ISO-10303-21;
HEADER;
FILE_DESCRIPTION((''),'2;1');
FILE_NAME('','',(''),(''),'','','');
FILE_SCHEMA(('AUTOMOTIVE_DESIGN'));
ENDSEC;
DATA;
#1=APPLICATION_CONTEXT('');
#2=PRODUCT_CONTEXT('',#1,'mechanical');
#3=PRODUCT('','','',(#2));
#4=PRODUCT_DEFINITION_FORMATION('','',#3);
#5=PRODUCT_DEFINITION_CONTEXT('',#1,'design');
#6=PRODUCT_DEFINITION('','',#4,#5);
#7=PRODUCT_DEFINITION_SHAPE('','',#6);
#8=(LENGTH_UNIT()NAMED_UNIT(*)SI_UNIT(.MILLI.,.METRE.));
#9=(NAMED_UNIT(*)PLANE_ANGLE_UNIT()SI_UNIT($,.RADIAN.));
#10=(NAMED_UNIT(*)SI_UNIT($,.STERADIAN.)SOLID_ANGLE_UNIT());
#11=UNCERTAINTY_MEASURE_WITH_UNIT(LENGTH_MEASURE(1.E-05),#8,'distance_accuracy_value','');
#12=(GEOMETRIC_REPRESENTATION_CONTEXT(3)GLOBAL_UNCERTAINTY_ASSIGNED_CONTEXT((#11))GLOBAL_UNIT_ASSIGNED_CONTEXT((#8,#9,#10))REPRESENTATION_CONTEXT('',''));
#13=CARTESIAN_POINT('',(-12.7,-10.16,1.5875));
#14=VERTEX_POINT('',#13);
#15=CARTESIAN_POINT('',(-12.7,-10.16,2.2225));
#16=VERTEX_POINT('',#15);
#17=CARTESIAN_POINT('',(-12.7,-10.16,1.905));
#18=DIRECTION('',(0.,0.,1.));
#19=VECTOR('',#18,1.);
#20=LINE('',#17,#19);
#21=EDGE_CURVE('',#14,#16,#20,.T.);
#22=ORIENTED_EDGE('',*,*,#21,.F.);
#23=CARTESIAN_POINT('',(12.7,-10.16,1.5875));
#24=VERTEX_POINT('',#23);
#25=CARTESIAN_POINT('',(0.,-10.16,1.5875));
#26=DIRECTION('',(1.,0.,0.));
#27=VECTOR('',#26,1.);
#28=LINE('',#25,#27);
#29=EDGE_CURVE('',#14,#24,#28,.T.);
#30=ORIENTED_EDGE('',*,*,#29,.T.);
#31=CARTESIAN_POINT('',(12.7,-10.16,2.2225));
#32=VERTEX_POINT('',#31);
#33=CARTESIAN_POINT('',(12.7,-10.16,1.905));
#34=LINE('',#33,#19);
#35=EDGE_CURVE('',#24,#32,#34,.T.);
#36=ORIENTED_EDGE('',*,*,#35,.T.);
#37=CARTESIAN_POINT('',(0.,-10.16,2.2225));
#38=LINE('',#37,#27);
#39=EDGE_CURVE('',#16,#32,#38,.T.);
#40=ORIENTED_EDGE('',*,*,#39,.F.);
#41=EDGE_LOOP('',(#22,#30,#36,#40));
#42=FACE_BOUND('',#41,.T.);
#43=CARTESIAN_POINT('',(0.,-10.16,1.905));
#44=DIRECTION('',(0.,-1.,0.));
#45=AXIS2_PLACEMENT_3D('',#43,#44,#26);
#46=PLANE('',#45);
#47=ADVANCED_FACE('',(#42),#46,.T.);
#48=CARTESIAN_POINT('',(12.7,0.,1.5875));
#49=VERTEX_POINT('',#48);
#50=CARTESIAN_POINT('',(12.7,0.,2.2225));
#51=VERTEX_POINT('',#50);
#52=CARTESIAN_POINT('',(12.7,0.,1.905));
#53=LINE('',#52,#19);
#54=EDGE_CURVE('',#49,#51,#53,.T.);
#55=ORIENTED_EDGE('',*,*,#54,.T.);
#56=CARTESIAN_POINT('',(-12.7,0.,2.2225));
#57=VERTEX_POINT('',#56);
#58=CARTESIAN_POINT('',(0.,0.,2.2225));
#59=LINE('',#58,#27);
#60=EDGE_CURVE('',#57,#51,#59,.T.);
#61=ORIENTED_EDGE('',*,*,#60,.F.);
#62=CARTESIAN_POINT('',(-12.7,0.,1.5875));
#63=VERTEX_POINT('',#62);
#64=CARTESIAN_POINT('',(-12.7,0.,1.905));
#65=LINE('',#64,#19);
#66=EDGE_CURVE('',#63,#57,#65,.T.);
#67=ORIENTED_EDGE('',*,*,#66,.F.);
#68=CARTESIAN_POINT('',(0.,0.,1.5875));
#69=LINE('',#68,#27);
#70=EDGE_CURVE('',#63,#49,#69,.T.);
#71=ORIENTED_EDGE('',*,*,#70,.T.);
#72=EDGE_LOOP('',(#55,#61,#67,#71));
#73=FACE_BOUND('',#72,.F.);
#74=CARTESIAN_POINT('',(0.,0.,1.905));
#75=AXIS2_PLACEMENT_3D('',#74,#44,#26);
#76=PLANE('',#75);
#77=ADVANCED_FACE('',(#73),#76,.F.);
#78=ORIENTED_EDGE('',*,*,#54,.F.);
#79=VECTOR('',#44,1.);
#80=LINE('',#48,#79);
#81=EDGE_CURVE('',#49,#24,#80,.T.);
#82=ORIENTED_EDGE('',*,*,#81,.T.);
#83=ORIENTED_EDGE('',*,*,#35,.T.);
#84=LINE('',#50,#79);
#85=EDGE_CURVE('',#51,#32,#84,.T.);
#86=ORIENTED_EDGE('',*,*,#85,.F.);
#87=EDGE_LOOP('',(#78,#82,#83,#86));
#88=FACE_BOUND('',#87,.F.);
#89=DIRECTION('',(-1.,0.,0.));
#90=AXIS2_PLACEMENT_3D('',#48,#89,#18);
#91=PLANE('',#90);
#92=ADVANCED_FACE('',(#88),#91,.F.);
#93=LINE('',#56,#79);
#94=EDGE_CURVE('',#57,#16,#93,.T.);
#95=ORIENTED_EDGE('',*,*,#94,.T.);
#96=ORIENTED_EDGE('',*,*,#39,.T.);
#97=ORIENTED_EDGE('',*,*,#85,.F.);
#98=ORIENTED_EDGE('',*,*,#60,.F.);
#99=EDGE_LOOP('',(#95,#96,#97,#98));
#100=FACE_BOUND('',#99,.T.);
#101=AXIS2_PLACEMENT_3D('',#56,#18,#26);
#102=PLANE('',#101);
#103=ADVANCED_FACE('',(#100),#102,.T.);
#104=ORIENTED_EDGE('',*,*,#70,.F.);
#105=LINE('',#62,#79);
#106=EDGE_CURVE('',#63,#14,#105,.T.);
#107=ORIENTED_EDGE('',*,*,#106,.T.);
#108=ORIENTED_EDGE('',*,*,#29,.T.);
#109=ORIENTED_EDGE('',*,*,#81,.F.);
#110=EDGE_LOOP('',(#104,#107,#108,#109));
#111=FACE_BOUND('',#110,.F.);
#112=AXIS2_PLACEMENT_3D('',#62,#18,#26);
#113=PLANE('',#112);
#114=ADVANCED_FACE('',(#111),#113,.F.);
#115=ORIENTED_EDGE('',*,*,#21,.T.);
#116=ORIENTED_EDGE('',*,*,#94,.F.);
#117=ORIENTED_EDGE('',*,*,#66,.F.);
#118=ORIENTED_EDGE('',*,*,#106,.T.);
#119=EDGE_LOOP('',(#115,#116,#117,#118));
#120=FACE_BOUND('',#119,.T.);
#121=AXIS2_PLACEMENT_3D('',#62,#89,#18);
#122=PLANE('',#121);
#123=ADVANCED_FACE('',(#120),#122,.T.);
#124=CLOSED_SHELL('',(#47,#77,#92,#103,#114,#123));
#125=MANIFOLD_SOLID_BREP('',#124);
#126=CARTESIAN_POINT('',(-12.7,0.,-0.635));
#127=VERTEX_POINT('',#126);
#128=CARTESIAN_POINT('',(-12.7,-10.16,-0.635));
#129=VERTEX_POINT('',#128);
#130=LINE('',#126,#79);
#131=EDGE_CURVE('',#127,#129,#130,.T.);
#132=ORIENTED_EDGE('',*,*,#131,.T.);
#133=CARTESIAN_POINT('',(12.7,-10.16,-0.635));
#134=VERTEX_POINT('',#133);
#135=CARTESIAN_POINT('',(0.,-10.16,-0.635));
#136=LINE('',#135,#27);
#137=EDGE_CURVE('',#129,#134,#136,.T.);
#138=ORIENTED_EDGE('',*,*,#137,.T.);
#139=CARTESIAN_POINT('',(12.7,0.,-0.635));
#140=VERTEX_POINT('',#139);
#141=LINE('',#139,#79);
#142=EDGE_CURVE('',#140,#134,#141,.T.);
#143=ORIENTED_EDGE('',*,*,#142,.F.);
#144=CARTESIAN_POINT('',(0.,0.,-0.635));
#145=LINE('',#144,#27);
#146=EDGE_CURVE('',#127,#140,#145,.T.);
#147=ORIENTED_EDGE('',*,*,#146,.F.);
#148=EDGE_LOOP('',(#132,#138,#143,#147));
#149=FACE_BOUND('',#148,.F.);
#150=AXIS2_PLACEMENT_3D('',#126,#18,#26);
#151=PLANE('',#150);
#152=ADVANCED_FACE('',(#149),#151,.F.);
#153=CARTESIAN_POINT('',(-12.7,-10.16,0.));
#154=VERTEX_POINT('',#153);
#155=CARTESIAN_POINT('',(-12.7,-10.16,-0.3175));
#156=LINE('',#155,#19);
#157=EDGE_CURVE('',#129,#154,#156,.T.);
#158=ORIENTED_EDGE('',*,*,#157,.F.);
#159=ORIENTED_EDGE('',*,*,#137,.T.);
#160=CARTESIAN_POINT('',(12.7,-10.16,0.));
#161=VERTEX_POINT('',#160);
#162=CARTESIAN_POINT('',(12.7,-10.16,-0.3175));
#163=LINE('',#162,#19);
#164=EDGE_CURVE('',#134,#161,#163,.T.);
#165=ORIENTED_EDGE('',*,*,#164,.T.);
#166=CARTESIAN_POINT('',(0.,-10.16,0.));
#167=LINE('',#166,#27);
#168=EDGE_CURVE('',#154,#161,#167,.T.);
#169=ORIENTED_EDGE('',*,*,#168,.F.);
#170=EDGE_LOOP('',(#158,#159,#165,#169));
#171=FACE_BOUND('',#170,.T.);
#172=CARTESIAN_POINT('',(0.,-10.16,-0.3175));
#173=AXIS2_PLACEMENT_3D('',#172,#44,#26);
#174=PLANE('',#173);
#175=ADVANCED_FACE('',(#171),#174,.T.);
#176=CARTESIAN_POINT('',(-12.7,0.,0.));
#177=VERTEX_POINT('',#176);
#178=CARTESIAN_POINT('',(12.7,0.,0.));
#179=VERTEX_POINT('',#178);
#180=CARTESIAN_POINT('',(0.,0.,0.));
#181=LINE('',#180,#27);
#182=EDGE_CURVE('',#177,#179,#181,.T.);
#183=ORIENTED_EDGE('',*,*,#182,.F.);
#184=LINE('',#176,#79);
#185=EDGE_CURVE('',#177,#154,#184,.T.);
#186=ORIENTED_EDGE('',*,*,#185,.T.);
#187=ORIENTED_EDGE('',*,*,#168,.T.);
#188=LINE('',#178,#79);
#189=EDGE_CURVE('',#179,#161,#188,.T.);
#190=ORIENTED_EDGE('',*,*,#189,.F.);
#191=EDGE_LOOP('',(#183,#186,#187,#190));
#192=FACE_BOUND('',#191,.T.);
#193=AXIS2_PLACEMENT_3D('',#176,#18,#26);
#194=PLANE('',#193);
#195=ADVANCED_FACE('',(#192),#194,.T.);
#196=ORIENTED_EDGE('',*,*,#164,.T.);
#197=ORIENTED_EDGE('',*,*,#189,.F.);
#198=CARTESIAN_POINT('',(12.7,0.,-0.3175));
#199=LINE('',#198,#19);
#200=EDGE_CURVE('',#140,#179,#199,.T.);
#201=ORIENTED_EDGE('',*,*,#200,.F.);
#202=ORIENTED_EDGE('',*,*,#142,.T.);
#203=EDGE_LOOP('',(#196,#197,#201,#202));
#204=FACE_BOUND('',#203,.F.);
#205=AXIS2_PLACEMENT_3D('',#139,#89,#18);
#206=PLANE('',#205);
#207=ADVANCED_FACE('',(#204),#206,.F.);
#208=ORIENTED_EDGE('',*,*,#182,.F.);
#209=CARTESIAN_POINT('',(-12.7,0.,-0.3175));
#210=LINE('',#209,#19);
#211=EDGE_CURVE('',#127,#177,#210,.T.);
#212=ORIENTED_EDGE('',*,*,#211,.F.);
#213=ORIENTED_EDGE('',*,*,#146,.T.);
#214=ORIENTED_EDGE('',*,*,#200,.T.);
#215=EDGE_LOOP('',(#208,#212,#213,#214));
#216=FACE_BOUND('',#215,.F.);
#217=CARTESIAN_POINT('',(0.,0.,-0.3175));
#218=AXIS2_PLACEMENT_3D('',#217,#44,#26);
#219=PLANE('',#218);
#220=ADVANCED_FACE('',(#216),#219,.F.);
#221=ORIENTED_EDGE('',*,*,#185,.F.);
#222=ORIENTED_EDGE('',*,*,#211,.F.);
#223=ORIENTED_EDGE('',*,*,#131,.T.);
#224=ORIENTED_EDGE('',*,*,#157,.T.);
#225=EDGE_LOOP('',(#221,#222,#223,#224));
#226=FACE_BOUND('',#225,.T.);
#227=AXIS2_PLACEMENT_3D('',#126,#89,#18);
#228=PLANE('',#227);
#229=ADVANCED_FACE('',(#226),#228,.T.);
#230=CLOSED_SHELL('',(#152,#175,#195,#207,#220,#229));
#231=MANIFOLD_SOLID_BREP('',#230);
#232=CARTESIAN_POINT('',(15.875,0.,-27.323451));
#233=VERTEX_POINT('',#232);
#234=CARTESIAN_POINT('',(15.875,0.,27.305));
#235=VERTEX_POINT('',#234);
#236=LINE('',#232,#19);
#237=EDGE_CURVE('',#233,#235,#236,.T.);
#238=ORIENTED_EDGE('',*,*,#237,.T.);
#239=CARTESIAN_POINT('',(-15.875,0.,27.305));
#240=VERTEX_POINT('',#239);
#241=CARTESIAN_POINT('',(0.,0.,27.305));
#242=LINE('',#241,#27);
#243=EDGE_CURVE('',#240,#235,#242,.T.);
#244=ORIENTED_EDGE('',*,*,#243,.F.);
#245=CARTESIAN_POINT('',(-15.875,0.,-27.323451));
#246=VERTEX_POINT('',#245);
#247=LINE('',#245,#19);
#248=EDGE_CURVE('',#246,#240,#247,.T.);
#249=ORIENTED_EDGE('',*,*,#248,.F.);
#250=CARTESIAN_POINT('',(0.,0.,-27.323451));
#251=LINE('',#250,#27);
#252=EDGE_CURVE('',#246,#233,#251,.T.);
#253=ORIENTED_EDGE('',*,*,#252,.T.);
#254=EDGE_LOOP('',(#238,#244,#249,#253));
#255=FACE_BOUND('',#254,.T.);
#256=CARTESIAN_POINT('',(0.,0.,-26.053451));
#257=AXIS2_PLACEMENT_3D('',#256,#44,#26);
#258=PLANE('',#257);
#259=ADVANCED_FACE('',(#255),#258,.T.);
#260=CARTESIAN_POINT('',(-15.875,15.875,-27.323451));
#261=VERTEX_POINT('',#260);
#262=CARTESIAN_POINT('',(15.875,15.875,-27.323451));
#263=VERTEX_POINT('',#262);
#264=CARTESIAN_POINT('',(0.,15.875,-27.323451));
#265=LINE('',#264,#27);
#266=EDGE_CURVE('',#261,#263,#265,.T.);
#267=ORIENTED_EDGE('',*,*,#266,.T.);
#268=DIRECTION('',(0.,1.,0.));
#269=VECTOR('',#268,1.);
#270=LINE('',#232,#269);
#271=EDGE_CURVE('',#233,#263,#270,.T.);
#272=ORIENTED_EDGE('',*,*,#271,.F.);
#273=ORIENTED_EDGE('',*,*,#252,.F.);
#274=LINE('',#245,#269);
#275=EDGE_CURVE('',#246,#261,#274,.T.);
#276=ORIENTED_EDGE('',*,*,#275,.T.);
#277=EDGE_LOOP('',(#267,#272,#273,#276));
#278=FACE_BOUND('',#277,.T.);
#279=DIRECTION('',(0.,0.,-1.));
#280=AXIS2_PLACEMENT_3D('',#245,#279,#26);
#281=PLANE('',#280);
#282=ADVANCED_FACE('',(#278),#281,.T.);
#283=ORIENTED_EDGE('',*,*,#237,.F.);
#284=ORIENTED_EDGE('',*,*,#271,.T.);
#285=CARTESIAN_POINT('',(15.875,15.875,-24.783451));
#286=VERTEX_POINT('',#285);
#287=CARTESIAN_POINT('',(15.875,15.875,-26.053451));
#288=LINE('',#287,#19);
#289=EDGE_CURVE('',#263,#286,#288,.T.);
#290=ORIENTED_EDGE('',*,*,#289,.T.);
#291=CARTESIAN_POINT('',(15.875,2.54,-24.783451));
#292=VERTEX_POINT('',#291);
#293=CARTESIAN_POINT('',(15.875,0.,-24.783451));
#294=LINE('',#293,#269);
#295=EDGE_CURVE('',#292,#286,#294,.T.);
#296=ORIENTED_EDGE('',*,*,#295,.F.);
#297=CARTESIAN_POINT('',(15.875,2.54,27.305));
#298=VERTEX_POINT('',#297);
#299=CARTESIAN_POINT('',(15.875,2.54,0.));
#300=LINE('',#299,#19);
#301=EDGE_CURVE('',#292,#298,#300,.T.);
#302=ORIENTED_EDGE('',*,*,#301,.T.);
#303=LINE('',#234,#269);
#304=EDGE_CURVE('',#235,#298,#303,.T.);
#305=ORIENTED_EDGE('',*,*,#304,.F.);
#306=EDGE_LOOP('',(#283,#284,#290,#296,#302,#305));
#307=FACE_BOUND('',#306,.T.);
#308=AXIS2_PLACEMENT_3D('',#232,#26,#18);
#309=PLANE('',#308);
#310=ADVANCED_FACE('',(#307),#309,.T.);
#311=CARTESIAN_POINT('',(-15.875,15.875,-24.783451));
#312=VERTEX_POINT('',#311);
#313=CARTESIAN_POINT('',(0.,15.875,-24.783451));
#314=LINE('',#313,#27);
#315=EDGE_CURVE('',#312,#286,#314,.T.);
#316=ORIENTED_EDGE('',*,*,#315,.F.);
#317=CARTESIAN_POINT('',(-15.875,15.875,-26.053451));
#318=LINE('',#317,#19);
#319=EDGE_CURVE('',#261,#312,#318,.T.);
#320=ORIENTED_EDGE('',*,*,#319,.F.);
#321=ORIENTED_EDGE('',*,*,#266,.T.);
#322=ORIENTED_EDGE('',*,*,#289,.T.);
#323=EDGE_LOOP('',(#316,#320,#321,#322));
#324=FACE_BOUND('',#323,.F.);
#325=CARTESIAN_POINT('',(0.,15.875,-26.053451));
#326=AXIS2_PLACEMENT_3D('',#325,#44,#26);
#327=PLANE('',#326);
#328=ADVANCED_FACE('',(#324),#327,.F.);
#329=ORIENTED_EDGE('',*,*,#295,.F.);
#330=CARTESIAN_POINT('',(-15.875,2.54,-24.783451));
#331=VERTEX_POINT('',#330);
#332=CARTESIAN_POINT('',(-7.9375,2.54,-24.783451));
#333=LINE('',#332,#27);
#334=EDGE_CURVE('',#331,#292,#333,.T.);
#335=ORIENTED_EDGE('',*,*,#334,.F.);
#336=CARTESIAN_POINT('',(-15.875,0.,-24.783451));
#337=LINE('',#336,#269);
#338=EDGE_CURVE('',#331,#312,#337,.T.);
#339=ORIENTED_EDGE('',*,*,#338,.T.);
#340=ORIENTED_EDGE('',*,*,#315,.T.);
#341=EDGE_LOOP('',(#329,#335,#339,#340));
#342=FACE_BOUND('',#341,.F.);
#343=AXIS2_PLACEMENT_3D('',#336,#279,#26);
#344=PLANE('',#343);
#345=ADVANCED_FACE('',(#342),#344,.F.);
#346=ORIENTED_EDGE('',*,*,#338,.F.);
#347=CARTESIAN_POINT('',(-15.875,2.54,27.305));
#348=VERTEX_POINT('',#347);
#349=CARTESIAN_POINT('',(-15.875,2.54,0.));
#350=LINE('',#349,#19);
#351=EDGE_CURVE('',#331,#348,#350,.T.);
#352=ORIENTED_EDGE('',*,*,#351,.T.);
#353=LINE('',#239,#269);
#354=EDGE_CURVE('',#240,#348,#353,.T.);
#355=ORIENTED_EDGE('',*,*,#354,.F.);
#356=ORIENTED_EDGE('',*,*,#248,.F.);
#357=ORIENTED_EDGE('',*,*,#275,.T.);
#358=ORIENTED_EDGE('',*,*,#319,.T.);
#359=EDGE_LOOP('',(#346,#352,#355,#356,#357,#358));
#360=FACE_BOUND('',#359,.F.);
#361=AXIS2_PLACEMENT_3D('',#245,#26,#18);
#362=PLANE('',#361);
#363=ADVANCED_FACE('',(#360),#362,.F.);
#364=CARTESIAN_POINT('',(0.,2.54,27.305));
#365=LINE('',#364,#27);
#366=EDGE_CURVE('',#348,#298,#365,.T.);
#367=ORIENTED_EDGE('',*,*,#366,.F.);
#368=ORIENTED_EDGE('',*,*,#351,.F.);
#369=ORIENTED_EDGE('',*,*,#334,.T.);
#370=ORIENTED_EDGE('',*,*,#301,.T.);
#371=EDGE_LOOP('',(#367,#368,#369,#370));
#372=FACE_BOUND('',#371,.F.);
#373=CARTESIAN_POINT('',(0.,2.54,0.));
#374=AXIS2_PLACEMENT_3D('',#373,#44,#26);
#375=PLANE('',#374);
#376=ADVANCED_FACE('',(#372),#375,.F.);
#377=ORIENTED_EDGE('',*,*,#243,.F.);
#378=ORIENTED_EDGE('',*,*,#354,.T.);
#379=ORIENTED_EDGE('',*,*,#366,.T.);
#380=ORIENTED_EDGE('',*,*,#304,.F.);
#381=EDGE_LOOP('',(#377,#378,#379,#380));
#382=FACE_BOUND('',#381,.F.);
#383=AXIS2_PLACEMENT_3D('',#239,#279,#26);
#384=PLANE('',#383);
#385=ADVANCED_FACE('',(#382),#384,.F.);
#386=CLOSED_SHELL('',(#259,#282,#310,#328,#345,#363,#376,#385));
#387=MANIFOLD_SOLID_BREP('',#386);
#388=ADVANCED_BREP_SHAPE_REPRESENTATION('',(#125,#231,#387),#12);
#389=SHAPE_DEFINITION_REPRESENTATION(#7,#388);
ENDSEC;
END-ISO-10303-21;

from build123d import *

# Parameters (mm, degrees)
F1_W     = 25.4
F1_H     = 0.635
F3_DEPTH = 10.16
F2_W     = 31.75
F2_H     = 54.61
F4_DEPTH = 2.54
F5_W     = 31.75
F5_H     = 2.54
F6_DEPTH = 15.875


with BuildPart() as f3:
    # F1 (on Front) → F3 (new body)
    with BuildSketch(Plane.XZ):
        with Locations((0, 1.905)):
            Rectangle(F1_W, F1_H)
        with Locations((0, -0.3175)):
            Rectangle(F1_W, F1_H)
    extrude(amount=F3_DEPTH)


with BuildPart() as f4:
    # F2 (on face) → F4 (new body)
    with BuildSketch(Plane.XZ):
        Rectangle(F2_W, F2_H)
    extrude(amount=-F4_DEPTH)

    # F5 (on Front) → F6 (join)
    with BuildSketch(Plane.XZ):
        with Locations((0, -26.053451)):
            Rectangle(F5_W, F5_H)
    extrude(amount=-F6_DEPTH)


solid = Compound([f3.part, f4.part])
